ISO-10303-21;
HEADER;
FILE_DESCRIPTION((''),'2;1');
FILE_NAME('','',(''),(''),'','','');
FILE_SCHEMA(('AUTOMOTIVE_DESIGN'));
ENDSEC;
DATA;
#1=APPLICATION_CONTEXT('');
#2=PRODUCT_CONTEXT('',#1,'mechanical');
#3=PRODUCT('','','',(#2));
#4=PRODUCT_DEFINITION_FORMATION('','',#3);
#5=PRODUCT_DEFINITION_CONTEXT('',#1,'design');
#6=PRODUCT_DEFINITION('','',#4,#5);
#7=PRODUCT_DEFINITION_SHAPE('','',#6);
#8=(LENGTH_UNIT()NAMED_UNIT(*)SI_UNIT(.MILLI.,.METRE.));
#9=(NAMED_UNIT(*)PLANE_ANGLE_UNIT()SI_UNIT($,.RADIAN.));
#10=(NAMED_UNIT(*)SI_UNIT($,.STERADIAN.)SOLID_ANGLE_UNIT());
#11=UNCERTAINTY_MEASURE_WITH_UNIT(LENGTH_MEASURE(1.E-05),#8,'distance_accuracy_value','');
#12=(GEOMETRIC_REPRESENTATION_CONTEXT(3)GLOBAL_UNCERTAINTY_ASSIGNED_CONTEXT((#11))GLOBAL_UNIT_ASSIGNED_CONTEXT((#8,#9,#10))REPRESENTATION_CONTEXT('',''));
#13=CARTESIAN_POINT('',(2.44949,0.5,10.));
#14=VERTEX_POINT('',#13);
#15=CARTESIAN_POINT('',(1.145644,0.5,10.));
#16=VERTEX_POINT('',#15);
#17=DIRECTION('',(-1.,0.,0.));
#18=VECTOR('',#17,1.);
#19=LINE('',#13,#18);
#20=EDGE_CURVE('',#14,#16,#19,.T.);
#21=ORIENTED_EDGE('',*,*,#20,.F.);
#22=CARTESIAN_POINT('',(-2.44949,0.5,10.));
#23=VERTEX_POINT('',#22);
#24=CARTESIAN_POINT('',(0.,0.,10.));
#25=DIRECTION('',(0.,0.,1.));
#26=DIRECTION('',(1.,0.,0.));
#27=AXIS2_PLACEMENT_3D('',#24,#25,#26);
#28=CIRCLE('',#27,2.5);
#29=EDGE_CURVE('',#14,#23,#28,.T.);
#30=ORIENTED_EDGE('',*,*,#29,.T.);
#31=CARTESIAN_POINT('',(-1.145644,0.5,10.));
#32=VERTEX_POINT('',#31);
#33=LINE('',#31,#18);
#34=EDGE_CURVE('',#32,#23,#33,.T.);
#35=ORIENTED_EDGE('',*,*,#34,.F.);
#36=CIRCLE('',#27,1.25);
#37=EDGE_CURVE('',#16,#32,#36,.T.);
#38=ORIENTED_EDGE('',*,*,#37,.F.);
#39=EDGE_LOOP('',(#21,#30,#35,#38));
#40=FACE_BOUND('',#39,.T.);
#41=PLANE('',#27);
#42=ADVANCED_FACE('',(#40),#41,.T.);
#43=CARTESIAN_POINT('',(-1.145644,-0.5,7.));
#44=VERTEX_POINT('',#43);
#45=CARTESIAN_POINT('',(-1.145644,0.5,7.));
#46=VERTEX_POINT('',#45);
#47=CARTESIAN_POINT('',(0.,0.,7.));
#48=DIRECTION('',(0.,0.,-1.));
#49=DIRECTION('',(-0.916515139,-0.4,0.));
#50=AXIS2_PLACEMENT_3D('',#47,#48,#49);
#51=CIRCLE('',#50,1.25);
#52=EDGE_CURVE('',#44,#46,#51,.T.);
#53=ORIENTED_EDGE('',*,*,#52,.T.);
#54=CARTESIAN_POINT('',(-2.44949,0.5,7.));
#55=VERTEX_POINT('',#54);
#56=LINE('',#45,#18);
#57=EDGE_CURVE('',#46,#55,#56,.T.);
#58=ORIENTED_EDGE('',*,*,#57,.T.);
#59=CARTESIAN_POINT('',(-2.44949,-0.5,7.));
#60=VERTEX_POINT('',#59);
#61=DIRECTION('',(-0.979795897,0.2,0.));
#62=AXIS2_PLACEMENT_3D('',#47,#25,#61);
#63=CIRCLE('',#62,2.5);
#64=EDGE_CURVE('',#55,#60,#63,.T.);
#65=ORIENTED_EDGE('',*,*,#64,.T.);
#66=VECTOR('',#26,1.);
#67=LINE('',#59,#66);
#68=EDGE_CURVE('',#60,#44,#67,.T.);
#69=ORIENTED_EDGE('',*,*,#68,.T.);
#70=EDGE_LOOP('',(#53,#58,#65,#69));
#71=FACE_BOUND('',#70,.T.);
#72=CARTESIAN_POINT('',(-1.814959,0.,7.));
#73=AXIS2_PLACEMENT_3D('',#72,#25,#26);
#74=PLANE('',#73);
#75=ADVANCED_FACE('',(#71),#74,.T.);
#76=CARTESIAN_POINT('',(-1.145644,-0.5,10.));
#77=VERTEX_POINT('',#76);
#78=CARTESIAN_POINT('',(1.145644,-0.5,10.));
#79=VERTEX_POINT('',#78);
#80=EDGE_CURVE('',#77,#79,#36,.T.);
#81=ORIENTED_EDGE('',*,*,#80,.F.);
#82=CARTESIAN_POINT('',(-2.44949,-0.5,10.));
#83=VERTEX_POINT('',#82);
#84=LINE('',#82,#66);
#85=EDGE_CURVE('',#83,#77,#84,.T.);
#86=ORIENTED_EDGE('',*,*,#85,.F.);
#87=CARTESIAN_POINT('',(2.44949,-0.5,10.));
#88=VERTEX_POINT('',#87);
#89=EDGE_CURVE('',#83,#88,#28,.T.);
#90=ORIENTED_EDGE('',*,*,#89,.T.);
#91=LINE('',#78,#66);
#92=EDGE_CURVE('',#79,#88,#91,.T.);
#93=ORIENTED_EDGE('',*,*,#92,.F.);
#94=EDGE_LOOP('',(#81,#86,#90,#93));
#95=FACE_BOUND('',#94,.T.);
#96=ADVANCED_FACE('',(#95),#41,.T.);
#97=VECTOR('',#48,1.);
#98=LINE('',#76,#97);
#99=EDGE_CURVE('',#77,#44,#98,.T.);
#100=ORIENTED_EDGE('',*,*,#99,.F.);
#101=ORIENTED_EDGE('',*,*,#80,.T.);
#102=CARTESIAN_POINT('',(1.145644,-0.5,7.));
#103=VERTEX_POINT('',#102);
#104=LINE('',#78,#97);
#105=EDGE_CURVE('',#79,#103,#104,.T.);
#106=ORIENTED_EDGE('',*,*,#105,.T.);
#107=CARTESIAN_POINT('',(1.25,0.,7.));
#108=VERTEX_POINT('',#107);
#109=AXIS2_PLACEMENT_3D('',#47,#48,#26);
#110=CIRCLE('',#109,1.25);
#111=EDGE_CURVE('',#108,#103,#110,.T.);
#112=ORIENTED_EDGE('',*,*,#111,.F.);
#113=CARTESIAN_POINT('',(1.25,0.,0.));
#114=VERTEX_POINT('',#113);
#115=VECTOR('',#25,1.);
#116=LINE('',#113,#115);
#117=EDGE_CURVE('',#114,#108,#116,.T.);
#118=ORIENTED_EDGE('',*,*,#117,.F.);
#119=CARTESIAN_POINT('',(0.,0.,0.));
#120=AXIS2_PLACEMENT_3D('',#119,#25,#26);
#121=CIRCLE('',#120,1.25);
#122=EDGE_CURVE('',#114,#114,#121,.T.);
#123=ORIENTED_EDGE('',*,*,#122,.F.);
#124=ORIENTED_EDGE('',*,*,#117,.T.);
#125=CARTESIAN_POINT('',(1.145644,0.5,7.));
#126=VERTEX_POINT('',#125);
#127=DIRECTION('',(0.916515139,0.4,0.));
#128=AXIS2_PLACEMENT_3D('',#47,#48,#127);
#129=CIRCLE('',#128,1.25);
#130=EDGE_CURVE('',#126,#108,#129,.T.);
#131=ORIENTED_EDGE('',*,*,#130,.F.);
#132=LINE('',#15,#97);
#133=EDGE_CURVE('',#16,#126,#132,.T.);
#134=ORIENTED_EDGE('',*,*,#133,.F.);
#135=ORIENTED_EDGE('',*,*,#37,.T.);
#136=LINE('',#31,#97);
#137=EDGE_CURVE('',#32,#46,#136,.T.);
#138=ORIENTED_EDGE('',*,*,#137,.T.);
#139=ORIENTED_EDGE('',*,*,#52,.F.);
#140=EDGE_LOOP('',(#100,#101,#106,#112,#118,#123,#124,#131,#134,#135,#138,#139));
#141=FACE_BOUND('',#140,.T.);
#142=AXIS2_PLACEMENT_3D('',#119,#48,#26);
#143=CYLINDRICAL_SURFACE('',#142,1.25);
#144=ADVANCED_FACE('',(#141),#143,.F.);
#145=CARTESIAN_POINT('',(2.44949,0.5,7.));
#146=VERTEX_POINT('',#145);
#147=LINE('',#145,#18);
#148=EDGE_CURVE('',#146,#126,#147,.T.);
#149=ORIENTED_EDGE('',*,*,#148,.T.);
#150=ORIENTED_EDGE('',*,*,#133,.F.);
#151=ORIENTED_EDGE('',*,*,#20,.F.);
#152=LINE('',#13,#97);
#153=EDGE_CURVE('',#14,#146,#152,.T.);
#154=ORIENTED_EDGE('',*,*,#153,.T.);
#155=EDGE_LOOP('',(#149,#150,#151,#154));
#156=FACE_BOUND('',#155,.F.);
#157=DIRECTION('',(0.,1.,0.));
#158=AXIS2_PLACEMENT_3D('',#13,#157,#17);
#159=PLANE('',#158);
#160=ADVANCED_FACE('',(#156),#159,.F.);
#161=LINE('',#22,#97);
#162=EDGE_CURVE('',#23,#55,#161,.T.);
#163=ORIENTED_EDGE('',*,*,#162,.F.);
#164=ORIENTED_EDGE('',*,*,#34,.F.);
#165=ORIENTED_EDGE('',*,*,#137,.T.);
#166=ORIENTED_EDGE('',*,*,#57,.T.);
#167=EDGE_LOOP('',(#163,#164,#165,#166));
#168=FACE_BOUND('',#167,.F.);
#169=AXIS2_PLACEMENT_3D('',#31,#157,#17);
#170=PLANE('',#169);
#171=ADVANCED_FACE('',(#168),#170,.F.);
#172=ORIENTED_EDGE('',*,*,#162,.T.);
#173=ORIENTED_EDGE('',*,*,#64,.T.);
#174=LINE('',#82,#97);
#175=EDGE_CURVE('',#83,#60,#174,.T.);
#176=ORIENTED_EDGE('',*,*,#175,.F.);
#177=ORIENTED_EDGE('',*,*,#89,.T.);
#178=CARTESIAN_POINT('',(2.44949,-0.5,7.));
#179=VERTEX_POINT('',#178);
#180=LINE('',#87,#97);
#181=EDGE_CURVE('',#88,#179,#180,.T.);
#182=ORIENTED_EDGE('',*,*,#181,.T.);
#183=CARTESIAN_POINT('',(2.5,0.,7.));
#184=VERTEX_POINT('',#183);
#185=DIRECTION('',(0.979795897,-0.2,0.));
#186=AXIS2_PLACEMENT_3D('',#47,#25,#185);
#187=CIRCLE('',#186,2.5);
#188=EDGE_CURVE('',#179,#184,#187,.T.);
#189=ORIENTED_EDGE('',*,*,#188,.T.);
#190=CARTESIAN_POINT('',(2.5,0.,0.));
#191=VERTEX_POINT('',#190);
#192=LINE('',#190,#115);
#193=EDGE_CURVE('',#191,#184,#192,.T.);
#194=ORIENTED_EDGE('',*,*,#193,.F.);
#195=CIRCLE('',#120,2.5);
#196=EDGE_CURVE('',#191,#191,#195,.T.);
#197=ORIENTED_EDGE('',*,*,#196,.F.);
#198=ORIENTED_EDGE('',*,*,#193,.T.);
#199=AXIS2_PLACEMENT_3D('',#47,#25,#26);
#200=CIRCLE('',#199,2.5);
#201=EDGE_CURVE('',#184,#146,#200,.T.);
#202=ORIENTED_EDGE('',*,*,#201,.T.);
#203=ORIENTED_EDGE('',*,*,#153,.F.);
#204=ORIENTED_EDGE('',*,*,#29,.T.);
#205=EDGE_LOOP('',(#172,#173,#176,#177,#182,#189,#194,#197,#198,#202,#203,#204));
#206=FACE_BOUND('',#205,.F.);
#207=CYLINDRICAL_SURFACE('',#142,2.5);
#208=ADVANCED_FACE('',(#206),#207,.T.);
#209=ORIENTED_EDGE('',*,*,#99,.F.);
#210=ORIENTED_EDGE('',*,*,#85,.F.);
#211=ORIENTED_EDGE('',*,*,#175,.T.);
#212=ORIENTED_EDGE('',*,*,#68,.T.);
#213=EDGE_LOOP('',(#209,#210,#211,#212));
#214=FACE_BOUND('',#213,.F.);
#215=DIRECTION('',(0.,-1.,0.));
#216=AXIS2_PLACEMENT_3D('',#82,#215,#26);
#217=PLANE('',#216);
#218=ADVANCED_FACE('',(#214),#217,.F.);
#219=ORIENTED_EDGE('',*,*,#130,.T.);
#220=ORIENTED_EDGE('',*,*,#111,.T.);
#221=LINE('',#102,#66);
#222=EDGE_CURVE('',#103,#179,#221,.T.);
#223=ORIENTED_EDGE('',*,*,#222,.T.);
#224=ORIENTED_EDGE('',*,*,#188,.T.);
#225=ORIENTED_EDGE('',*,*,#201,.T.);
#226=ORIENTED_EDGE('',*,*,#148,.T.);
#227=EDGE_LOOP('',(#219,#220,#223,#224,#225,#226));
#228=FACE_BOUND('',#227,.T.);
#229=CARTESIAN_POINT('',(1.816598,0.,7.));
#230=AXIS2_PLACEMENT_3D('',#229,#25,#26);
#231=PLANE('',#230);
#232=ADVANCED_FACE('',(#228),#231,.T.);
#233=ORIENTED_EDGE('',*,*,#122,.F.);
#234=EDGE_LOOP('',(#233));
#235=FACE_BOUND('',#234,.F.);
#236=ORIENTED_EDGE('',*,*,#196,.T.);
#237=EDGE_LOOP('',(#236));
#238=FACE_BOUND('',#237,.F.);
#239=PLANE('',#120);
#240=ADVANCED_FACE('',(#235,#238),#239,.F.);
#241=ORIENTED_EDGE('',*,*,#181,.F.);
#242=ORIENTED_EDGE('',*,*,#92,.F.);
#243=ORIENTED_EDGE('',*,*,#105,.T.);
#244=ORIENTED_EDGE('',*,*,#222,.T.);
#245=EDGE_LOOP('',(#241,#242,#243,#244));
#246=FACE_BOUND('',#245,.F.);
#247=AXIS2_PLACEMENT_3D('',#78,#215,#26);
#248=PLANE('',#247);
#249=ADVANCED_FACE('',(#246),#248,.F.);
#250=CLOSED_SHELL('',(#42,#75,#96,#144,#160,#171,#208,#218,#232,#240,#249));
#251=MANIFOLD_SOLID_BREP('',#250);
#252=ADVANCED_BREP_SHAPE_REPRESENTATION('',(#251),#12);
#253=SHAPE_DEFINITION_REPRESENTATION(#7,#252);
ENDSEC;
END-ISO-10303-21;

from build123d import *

# Parameters (mm, degrees)
F0_R     = 2.5
F0_R_2   = 1.25
F1_DEPTH = 10
F3_DEPTH = 3


with BuildPart() as f1:
    # F0 (on Top) → F1 (new body)
    with BuildSketch(Plane.XY):
        Circle(F0_R)
        Circle(F0_R_2, mode=Mode.SUBTRACT)
    extrude(amount=F1_DEPTH)

    # F2 (on face) → F3 (cut)
    with BuildSketch(Plane.XY.offset(10)):
        with BuildLine():
            Line((-1.1456439237, 0.5), (-2.4494897428, 0.5))
            ThreePointArc((-2.4494897428, 0.5), (-2.5, 0), (-2.4494897428, -0.5))
            Line((-2.4494897428, -0.5), (-1.1456439237, -0.5))
            ThreePointArc((-1.1456439237, -0.5), (-1.25, 0), (-1.1456439237, 0.5))
        make_face()
        with BuildLine():
            ThreePointArc((2.5, 0), (2.4873403825, 0.251272405), (2.4494897428, 0.5))
            Line((2.4494897428, 0.5), (1.1456439237, 0.5))
            ThreePointArc((1.1456439237, 0.5), (1.2236328912, 0.2553870546), (1.25, 0))
            ThreePointArc((1.25, 0), (1.2236328912, -0.2553870546), (1.1456439237, -0.5))
            Line((1.1456439237, -0.5), (2.4494897428, -0.5))
            ThreePointArc((2.4494897428, -0.5), (2.4873403825, -0.251272405), (2.5, 0))
        make_face()
    extrude(amount=-F3_DEPTH, mode=Mode.SUBTRACT)


solid = f1.part
